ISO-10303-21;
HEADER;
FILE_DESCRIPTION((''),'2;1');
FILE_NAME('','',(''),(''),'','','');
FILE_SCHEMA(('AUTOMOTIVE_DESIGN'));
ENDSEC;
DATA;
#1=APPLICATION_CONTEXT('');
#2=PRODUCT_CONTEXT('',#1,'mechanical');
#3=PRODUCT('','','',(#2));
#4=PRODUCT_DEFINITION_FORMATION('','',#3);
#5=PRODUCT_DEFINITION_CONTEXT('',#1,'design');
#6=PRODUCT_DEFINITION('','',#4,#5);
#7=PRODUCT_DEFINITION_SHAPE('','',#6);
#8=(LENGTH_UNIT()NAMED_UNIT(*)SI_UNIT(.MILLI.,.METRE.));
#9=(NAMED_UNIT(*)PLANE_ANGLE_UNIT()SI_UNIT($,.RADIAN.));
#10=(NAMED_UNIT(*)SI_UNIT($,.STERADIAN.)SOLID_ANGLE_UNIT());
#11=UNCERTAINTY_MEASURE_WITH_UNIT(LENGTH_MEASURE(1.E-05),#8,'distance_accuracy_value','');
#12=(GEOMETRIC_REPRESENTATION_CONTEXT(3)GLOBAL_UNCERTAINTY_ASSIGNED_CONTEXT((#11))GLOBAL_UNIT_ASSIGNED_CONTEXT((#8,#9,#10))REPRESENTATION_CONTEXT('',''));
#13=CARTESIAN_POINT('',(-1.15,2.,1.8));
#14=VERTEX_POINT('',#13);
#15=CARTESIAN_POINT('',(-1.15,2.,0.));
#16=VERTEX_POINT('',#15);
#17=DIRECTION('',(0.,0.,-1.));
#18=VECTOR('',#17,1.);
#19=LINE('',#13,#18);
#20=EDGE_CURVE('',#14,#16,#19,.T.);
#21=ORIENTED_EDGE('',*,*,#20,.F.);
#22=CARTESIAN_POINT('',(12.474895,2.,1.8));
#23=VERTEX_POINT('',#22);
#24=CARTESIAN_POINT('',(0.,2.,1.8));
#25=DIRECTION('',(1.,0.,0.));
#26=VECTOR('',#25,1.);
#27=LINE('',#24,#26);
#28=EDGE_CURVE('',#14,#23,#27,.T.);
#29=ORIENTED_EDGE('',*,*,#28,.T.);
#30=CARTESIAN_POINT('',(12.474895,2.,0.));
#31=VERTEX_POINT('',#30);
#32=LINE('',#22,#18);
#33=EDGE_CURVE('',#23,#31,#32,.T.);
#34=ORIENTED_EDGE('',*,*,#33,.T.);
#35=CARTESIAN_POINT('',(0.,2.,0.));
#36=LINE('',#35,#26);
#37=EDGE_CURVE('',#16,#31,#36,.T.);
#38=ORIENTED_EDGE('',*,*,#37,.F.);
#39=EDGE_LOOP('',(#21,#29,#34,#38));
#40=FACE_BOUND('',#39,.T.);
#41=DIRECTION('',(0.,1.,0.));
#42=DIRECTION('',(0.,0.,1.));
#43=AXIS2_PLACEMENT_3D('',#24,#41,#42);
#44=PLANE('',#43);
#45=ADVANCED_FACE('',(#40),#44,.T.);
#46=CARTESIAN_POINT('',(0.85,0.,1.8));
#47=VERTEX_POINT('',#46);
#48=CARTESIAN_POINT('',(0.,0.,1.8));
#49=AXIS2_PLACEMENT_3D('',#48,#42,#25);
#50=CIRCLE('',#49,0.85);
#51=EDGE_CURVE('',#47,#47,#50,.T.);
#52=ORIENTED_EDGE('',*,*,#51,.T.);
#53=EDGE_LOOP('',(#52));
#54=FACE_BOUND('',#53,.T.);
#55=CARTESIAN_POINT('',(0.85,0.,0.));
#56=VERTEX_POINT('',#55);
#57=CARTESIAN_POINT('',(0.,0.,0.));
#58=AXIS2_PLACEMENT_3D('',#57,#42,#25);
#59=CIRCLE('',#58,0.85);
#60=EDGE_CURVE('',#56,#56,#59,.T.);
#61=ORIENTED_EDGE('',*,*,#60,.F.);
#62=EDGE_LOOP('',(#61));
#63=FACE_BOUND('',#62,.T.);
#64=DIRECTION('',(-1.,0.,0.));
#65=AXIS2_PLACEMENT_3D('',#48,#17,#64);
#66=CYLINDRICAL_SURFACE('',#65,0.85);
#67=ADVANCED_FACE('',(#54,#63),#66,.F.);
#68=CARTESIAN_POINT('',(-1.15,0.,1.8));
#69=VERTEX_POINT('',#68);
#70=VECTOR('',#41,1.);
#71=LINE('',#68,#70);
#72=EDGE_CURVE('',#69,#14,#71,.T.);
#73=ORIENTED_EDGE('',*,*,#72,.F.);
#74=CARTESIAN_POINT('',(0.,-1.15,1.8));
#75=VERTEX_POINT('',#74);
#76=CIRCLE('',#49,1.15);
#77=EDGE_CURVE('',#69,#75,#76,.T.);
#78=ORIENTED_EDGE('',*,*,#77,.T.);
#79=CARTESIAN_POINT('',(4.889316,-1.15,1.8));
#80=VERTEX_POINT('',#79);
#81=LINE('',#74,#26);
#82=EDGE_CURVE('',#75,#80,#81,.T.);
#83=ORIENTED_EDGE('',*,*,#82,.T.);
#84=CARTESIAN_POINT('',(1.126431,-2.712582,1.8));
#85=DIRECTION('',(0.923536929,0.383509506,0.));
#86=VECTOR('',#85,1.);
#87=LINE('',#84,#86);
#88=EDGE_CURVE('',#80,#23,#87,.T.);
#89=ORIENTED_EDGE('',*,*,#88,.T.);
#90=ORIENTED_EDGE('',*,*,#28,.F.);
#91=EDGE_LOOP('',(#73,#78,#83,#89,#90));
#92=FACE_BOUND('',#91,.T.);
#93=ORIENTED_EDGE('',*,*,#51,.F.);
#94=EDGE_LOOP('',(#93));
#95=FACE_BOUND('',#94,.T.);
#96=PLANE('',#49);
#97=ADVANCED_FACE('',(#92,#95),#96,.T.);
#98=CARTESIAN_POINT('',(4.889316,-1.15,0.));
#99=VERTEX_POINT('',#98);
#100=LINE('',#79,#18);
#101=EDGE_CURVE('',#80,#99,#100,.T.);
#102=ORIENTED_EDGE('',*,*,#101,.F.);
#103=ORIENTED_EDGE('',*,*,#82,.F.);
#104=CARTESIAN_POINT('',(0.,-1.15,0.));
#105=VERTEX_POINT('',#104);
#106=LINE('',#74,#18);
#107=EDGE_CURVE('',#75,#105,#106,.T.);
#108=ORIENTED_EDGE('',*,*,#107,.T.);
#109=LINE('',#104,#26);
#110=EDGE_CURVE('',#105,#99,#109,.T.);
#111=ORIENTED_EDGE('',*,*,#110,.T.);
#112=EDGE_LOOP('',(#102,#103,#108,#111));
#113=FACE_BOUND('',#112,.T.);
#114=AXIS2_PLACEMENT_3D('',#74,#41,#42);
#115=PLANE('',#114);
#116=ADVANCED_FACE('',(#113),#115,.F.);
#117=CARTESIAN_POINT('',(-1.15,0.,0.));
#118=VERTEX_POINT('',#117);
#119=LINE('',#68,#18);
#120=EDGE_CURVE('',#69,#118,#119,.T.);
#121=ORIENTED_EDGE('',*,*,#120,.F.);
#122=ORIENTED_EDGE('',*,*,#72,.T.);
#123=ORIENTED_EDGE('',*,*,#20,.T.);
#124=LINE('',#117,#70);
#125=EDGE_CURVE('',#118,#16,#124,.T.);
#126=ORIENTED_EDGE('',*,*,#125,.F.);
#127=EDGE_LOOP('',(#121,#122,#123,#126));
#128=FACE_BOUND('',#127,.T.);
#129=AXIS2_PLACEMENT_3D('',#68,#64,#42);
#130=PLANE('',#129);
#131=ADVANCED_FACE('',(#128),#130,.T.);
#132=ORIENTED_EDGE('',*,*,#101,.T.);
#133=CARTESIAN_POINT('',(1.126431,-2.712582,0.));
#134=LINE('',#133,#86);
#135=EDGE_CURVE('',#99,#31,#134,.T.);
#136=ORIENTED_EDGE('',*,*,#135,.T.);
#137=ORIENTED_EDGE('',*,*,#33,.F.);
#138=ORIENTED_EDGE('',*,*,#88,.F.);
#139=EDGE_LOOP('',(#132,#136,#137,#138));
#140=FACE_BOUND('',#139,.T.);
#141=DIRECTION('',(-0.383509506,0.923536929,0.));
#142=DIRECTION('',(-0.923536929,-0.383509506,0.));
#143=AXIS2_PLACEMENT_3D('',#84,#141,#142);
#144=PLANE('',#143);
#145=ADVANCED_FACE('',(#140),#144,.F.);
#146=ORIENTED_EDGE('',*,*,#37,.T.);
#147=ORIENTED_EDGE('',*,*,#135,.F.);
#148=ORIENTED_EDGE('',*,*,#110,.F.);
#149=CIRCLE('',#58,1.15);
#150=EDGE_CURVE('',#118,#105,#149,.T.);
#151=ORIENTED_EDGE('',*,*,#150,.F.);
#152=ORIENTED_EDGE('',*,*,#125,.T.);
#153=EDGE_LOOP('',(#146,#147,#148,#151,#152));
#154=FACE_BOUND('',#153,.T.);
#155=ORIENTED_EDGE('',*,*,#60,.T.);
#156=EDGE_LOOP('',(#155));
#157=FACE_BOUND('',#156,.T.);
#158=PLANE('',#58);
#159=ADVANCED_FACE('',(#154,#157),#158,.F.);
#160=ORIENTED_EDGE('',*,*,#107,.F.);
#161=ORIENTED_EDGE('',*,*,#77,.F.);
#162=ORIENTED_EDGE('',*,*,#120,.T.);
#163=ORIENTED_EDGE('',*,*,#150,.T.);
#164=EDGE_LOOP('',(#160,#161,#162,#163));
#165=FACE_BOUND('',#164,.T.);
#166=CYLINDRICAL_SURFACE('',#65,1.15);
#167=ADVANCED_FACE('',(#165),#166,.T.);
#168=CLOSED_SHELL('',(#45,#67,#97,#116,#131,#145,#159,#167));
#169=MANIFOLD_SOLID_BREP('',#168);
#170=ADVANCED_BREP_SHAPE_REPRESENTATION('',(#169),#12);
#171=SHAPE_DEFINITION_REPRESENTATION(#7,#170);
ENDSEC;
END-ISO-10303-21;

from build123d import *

# Parameters (mm, degrees)
SKETCH2_R           = 1.15
SKETCH2_R_2         = 0.85
BOSS_EXTRUDE1_DEPTH = 1.8


with BuildPart() as part:
    # Sketch2 → Boss-Extrude1 (new body)
    with BuildSketch(Plane.XY):
        Circle(SKETCH2_R)
        Circle(SKETCH2_R_2, mode=Mode.SUBTRACT)
        with BuildLine():
            Line((-1.15, 2), (-1.15, 0))
            ThreePointArc((-1.15, 0), (0, 1.15), (1.15, 0))
            ThreePointArc((1.15, 0), (0.813172798, -0.813172798), (0, -1.15))
            Line((0, -1.15), (4.889316376, -1.15))
            Line((4.889316376, -1.15), (12.47489452, 2))
            Line((12.47489452, 2), (-1.15, 2))
        make_face()
    extrude(amount=BOSS_EXTRUDE1_DEPTH)


solid = part.part
